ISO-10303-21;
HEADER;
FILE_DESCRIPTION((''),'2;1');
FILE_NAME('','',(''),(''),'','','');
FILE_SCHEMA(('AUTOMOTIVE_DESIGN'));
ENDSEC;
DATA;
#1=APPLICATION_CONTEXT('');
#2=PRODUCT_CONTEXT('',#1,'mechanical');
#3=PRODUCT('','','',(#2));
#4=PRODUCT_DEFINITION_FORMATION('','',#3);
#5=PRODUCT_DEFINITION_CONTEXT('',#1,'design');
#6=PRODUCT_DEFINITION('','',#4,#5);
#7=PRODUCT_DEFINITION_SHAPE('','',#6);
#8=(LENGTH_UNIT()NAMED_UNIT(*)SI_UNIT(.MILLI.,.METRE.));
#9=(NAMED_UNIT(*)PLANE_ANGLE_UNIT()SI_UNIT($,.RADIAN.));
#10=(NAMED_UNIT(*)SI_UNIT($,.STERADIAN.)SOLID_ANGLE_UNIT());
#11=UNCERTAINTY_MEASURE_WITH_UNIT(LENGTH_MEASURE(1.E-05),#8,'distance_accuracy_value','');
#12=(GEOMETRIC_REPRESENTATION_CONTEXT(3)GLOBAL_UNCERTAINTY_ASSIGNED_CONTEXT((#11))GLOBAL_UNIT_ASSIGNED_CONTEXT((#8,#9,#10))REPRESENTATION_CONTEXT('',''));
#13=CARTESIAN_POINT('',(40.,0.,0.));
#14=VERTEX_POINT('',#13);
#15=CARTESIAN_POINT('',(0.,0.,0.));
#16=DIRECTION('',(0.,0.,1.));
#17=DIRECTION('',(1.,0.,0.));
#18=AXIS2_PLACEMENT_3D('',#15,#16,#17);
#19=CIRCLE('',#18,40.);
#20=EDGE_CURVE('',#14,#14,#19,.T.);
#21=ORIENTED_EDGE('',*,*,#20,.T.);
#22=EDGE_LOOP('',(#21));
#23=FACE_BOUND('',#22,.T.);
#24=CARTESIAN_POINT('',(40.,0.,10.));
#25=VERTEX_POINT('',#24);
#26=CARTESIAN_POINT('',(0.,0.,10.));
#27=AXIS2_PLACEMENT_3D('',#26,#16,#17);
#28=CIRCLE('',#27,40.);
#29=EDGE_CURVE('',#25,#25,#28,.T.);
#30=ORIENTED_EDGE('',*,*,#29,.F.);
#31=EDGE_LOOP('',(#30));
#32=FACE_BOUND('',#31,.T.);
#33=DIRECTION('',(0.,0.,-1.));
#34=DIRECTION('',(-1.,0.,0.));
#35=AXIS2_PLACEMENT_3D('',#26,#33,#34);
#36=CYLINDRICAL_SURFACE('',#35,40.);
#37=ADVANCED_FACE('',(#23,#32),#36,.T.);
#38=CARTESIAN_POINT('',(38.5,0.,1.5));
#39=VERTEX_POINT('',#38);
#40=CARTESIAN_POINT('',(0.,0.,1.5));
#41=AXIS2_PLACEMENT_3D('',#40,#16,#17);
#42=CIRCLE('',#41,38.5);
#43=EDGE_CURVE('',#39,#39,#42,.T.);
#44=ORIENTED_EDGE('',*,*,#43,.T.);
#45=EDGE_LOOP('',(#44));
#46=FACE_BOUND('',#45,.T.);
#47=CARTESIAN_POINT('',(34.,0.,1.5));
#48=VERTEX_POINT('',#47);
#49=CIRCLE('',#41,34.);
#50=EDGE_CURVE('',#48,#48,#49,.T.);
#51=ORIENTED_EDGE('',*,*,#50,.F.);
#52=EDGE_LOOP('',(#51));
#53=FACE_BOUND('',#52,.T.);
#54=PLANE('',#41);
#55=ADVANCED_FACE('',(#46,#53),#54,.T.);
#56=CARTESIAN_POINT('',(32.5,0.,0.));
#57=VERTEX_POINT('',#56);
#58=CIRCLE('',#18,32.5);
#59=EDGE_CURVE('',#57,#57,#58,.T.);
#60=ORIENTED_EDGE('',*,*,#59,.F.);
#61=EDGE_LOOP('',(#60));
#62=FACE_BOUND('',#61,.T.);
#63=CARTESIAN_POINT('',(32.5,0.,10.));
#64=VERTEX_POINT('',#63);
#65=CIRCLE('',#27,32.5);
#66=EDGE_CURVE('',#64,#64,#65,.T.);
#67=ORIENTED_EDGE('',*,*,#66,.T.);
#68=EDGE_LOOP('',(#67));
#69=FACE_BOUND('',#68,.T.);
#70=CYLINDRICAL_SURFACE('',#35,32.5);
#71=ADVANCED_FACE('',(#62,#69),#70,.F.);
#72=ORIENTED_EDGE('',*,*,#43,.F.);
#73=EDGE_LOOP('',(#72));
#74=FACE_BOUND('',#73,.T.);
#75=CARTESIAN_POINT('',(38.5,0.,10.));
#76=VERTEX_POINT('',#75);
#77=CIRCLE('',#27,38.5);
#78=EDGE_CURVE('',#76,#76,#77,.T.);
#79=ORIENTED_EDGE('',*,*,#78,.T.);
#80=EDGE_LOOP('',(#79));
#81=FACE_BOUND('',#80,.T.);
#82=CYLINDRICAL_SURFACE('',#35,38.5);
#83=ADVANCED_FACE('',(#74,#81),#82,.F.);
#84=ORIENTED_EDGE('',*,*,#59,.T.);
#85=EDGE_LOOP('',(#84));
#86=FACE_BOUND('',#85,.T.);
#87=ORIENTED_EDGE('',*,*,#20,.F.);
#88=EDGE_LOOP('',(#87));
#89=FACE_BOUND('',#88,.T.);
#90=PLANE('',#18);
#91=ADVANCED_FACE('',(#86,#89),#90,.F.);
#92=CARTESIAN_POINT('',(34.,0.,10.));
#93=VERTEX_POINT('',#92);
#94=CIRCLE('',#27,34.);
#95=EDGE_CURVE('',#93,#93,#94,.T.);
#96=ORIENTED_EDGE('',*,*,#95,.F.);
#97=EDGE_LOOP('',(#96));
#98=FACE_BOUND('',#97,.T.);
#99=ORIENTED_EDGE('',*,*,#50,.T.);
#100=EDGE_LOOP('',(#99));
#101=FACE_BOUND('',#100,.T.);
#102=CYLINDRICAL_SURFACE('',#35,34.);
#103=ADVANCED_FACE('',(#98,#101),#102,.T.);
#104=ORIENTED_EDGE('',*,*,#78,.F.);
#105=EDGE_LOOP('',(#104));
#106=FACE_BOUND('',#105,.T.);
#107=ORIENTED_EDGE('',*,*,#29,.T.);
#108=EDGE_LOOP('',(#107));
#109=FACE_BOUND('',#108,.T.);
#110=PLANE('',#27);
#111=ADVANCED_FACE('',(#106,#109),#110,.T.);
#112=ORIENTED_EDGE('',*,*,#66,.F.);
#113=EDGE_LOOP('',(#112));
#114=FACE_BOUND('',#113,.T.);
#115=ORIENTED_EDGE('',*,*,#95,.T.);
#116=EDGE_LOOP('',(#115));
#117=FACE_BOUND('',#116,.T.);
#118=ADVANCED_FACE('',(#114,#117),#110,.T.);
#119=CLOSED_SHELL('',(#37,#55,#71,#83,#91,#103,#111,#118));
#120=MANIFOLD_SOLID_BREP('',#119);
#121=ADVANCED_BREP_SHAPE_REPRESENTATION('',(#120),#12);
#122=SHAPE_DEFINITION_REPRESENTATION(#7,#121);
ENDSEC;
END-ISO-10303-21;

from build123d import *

# Parameters (mm, degrees)
SKETCH_1_R      = 40
SKETCH_1_R_2    = 32.5
EXTRUDE_1_DEPTH = 10
SHELL_1_T       = -1.5


with BuildPart() as part:
    # 草图1 → 凸台-拉伸1 (new body)
    with BuildSketch(Plane.XY):
        Circle(SKETCH_1_R)
        Circle(SKETCH_1_R_2, mode=Mode.SUBTRACT)
    extrude(amount=EXTRUDE_1_DEPTH)

    # 抽壳1
    shell_1_openings = [part.faces().sort_by_distance(p)[0] for p in [
        (-38.86862915, 0, 10),
    ]]
    offset(amount=SHELL_1_T, openings=shell_1_openings, kind=Kind.INTERSECTION)


solid = part.part
